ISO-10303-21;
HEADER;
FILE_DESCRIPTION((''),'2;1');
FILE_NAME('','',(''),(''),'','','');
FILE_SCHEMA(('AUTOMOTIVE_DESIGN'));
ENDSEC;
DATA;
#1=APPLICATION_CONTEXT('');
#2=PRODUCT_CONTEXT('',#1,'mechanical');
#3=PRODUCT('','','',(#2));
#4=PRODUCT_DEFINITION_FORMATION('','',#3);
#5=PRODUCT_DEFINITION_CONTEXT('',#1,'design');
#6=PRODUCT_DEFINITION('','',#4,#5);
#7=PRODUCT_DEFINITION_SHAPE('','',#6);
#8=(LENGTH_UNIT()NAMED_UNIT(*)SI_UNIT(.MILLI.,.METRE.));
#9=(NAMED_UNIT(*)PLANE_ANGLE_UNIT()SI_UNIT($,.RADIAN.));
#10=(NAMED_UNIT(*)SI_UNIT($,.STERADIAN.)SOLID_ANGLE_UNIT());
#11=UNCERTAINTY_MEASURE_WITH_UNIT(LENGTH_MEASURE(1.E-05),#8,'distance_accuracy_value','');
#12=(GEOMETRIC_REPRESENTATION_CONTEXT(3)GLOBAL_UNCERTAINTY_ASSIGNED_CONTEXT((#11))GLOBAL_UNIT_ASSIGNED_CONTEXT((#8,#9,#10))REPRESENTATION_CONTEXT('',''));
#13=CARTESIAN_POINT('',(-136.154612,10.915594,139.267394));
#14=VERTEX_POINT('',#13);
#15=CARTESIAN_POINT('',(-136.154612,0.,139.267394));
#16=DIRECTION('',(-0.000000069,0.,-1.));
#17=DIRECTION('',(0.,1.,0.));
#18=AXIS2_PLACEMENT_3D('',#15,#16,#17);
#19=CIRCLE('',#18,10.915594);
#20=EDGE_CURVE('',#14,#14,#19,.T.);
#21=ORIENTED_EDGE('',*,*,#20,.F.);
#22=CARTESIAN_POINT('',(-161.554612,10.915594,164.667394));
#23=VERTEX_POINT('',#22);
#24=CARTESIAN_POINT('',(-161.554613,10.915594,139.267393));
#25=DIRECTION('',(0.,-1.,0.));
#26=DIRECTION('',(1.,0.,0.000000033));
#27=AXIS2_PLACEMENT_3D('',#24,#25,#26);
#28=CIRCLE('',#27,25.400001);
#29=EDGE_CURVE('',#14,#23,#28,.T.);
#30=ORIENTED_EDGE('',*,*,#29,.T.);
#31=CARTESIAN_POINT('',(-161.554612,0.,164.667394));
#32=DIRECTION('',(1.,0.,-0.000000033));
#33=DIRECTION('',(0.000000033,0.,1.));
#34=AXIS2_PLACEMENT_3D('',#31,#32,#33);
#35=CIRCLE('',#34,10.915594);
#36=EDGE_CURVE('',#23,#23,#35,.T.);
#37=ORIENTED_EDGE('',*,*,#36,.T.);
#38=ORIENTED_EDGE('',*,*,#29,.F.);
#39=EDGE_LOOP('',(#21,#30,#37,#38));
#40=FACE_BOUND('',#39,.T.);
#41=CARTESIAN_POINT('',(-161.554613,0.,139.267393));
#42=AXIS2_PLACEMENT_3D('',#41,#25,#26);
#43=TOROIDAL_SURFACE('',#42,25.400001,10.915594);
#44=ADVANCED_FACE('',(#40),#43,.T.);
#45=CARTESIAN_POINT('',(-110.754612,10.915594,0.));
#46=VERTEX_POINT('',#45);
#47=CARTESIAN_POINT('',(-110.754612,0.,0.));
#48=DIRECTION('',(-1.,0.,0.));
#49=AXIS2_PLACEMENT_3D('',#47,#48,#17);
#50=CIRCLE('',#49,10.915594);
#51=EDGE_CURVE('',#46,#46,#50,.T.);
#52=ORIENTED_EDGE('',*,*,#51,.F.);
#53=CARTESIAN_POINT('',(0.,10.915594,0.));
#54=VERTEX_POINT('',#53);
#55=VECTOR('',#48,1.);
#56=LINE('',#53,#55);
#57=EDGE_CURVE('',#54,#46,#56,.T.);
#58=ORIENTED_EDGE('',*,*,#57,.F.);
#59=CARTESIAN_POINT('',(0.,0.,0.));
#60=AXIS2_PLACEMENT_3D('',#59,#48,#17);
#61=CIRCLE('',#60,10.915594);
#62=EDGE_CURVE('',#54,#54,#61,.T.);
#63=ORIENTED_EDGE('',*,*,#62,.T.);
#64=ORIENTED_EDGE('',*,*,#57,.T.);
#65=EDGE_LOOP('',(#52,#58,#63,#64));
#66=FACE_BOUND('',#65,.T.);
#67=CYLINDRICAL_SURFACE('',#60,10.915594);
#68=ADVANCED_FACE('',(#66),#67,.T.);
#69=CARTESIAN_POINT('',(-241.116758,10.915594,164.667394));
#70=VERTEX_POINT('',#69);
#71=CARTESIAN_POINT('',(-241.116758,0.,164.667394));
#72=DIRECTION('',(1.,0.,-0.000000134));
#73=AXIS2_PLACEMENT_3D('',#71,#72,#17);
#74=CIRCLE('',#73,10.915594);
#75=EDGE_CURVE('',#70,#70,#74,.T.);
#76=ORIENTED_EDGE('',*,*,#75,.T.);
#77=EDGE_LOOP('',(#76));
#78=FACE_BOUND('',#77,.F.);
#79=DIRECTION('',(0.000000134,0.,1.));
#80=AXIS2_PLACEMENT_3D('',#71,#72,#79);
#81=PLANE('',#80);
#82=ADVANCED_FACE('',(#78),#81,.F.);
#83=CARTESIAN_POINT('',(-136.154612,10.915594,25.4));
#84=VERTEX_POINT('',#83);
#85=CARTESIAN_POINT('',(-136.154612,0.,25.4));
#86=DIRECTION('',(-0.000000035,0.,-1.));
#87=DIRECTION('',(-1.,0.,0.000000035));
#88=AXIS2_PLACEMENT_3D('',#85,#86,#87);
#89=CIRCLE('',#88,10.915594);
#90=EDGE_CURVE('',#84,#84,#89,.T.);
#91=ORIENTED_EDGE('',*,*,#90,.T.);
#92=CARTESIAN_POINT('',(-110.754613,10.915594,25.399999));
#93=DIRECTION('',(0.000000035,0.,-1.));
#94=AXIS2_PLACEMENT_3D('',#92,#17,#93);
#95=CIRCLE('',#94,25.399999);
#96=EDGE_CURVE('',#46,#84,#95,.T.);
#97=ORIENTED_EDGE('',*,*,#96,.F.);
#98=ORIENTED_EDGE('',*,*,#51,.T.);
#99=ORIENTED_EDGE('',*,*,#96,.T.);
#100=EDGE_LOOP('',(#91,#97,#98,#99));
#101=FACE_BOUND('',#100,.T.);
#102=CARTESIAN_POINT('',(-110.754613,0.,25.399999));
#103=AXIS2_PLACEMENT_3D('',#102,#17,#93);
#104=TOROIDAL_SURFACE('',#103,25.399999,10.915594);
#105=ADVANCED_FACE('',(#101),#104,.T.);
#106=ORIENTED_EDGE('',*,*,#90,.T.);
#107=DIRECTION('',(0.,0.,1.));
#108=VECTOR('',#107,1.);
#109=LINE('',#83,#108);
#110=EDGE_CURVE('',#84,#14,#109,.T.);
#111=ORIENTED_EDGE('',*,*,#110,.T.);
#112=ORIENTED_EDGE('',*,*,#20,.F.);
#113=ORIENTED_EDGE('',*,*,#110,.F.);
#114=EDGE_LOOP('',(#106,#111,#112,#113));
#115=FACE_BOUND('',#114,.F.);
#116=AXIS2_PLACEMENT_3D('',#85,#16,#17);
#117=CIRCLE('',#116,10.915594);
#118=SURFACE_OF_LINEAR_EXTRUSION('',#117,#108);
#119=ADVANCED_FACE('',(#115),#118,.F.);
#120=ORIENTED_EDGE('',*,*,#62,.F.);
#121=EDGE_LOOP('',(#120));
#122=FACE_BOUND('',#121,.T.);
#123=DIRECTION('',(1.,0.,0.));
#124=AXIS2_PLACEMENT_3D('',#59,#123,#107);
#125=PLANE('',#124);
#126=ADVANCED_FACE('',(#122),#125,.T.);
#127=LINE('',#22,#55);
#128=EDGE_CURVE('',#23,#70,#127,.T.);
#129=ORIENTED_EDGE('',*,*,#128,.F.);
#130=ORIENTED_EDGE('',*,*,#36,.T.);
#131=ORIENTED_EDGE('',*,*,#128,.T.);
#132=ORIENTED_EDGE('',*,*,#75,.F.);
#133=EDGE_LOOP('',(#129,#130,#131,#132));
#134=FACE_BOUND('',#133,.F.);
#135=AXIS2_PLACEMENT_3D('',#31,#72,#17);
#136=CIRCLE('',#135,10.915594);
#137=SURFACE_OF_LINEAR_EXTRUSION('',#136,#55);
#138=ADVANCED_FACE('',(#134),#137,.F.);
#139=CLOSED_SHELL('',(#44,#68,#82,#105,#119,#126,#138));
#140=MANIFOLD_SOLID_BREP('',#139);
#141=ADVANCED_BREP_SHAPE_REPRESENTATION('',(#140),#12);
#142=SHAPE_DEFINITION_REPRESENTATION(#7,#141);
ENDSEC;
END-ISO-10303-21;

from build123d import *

# Parameters (mm, degrees)
F0_R = 10.915594


with BuildPart() as f2:
    # F2: sweep along a path in F1
    with BuildLine(Plane.XZ) as f2_path:
        Line((0, 0), (-110.754612, 0))
        ThreePointArc((-110.754612, 0), (-128.715125, 7.439488), (-136.154612, 25.4))
        Line((-136.154612, 25.4), (-136.154612, 139.267394))
        ThreePointArc((-136.154612, 139.267394), (-143.5941, 157.227906), (-161.554612, 164.667394))
        Line((-161.554612, 164.667394), (-241.116758, 164.667394))
    # F0 (on Right) → F2 (sweep)
    with BuildSketch(Plane.YZ):
        Circle(F0_R)
    sweep(path=f2_path.line)


solid = f2.part
